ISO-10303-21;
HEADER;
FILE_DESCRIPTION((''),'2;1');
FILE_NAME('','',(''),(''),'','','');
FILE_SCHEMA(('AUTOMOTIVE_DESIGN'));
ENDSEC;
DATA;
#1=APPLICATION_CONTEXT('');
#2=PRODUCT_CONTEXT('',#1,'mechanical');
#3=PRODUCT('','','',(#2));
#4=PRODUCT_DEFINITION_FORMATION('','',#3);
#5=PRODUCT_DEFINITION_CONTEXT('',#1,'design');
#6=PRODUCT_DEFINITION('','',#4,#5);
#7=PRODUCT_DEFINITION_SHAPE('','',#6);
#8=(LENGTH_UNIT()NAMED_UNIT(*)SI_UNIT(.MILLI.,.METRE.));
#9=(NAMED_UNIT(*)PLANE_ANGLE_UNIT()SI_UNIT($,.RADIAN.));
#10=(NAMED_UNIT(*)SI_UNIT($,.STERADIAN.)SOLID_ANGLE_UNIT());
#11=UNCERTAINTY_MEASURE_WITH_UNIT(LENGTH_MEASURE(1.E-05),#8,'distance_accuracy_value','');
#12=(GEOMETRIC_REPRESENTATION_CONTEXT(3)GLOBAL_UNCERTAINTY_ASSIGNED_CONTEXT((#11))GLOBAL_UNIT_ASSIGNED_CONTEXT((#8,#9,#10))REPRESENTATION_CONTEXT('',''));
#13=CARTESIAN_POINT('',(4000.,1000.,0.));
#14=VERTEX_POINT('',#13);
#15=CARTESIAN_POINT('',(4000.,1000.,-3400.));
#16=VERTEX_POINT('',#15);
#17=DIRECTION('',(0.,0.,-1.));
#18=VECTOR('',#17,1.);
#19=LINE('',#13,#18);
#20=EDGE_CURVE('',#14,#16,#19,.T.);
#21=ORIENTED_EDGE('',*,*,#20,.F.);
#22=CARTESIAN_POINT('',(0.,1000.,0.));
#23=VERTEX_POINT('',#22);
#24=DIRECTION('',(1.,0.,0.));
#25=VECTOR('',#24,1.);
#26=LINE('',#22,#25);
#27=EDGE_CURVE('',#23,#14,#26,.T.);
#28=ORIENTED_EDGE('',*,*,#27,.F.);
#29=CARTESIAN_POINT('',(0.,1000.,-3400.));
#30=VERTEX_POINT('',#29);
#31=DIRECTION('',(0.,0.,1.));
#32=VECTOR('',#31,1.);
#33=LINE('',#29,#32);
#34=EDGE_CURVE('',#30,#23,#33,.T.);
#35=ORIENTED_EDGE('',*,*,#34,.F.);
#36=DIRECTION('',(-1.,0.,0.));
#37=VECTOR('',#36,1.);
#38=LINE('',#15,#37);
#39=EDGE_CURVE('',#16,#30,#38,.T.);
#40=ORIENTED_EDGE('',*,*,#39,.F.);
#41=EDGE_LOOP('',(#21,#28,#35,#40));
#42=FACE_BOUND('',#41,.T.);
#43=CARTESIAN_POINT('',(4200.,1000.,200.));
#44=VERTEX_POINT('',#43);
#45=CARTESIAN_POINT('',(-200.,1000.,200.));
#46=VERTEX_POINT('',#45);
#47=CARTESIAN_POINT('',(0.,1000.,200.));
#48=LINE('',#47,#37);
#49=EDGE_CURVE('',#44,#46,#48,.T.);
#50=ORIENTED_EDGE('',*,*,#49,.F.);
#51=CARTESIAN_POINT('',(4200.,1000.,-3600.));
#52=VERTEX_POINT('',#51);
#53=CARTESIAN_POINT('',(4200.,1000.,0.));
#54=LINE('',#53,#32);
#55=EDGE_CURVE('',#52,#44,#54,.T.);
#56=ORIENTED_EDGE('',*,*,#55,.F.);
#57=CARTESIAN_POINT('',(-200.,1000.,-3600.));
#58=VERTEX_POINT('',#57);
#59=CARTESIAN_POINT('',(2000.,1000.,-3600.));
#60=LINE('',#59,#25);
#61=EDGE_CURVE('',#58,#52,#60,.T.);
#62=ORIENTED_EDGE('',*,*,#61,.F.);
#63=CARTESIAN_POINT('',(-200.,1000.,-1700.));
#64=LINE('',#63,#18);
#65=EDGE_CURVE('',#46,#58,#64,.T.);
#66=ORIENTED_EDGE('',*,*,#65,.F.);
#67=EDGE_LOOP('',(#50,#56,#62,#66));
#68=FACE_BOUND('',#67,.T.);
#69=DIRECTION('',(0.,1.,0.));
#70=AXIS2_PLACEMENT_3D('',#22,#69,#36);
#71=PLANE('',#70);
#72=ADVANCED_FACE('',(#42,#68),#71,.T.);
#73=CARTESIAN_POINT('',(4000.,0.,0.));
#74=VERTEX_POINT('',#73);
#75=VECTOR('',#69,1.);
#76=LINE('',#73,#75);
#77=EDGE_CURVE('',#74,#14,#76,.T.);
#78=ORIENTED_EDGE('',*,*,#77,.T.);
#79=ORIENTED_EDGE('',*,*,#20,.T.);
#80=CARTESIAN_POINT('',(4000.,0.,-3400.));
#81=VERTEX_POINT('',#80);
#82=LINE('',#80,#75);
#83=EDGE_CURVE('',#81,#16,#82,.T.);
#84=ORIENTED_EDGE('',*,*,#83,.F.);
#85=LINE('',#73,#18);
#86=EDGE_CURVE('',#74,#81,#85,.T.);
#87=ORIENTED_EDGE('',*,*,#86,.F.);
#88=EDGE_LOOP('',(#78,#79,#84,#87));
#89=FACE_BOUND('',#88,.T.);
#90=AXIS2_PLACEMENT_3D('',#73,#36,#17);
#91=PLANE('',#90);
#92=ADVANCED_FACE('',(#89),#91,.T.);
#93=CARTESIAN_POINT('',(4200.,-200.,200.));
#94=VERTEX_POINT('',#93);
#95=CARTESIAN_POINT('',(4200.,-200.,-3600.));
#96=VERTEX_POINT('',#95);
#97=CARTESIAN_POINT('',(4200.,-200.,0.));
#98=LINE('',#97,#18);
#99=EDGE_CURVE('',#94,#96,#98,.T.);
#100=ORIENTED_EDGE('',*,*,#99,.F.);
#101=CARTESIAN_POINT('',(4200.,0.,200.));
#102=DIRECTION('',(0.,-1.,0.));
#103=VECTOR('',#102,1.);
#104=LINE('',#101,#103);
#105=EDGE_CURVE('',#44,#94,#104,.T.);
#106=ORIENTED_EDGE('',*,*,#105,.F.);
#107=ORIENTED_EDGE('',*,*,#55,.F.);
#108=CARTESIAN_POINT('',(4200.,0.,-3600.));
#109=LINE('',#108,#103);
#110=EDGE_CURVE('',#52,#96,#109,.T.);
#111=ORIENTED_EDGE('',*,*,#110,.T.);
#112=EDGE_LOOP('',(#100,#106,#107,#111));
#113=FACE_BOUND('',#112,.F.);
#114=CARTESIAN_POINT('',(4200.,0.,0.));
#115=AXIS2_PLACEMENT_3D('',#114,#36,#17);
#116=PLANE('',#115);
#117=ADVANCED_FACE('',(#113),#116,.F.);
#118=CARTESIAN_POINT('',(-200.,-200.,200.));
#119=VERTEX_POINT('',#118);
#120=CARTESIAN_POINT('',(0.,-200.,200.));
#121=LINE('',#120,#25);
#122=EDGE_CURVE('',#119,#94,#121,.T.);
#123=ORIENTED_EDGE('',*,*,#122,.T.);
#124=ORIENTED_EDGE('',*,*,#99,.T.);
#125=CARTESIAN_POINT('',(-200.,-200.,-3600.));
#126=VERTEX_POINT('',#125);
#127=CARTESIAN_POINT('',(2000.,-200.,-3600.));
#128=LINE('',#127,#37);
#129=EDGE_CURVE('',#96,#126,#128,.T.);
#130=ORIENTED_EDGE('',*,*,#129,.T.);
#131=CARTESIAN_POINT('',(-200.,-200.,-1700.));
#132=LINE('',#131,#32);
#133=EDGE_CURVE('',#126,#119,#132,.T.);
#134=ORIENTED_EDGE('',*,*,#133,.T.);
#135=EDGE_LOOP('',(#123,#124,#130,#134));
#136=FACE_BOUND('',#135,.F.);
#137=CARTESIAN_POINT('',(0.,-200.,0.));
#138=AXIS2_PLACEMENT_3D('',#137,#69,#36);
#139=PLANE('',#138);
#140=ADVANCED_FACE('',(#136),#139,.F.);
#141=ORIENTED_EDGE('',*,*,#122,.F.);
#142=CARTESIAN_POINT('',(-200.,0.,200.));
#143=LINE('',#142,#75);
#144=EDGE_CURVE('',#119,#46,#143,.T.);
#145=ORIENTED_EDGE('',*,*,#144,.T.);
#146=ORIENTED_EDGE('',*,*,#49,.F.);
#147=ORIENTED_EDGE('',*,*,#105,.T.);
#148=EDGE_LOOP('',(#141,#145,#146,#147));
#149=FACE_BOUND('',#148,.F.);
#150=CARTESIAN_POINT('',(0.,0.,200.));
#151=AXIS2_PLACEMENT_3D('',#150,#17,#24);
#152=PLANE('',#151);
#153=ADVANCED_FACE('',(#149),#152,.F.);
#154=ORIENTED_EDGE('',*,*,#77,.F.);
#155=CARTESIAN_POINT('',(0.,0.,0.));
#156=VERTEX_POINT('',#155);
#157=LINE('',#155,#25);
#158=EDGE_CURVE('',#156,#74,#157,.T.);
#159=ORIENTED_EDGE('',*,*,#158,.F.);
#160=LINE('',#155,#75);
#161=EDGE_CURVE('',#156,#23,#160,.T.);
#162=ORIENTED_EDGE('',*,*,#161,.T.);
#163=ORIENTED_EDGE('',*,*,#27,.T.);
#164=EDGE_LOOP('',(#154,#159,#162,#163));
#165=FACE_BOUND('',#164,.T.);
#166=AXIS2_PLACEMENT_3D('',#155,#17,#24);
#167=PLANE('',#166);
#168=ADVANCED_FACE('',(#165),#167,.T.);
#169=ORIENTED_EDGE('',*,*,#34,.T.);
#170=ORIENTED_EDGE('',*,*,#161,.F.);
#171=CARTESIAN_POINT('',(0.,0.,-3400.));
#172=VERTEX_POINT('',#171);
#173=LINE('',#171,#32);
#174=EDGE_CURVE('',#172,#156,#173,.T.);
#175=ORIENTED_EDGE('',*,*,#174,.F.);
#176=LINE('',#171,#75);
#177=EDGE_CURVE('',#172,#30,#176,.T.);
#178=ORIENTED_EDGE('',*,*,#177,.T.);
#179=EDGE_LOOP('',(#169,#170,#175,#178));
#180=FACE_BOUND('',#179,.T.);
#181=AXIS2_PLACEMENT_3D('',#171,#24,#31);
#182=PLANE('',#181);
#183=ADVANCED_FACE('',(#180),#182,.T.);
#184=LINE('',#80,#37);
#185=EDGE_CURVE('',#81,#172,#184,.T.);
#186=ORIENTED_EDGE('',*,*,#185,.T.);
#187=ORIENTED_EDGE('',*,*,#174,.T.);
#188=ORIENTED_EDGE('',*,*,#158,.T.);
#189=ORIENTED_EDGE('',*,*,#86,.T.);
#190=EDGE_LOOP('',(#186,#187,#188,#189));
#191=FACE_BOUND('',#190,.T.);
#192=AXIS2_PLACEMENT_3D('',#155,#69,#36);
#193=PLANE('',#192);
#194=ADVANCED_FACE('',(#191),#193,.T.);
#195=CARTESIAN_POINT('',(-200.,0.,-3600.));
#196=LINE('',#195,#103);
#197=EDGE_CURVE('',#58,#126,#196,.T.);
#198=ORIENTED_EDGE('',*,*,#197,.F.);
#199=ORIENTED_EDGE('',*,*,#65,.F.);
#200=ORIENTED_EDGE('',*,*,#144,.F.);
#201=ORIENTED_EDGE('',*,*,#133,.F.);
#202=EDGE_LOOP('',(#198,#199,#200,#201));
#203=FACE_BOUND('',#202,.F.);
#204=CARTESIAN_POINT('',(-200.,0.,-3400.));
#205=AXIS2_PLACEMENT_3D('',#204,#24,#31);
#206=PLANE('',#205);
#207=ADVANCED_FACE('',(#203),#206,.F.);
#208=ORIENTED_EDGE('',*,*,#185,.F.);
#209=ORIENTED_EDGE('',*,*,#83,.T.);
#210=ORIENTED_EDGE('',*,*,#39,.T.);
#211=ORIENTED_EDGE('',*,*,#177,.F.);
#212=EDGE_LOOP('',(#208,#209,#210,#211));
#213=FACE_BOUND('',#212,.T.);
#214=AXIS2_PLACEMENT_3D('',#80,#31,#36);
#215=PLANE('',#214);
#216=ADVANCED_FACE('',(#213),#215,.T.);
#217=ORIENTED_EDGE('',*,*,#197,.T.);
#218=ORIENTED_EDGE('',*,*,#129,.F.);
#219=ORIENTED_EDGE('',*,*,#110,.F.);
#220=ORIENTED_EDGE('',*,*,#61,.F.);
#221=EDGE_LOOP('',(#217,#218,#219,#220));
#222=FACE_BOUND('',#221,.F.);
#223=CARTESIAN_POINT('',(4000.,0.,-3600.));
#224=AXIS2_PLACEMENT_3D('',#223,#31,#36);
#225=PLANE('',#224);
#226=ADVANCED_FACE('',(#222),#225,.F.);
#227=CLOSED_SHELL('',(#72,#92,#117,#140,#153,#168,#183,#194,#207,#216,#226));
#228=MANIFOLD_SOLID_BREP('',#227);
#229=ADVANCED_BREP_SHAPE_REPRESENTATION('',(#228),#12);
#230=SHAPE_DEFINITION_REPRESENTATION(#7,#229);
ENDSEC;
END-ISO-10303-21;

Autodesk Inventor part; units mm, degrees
ref_plane "YZ Plane" through (0, 0, 0) normal (1, 0, 0) x (0, 1, 0)
ref_plane "XZ Plane" through (0, 0, 0) normal (0, 1, 0) x (-1, 0, 0)
ref_plane "XY Plane" through (0, 0, 0) normal (0, 0, 1) x (1, 0, 0)
sketch "Sketch1" plane through (0, 0, 0) normal (0, 1, 0) x (-1, 0, 0)
  line L0 (0, 0) -> (-4000, 0)
  line L1 (-4000, 0) -> (-4000, -3400)
  line L2 (-4000, -3400) -> (0, -3400)
  line L3 (0, -3400) -> (0, 0)
  dimension "d0" = 3400
  dimension "d1" = 4000
extrude "Extrusion1" add sketch "Sketch1" along normal blind 1000
shell "Shell1" thickness 200 outward yes removed faces 1 at (2666.6667, 1000, -1133.3333)
properties part number "test-room"
